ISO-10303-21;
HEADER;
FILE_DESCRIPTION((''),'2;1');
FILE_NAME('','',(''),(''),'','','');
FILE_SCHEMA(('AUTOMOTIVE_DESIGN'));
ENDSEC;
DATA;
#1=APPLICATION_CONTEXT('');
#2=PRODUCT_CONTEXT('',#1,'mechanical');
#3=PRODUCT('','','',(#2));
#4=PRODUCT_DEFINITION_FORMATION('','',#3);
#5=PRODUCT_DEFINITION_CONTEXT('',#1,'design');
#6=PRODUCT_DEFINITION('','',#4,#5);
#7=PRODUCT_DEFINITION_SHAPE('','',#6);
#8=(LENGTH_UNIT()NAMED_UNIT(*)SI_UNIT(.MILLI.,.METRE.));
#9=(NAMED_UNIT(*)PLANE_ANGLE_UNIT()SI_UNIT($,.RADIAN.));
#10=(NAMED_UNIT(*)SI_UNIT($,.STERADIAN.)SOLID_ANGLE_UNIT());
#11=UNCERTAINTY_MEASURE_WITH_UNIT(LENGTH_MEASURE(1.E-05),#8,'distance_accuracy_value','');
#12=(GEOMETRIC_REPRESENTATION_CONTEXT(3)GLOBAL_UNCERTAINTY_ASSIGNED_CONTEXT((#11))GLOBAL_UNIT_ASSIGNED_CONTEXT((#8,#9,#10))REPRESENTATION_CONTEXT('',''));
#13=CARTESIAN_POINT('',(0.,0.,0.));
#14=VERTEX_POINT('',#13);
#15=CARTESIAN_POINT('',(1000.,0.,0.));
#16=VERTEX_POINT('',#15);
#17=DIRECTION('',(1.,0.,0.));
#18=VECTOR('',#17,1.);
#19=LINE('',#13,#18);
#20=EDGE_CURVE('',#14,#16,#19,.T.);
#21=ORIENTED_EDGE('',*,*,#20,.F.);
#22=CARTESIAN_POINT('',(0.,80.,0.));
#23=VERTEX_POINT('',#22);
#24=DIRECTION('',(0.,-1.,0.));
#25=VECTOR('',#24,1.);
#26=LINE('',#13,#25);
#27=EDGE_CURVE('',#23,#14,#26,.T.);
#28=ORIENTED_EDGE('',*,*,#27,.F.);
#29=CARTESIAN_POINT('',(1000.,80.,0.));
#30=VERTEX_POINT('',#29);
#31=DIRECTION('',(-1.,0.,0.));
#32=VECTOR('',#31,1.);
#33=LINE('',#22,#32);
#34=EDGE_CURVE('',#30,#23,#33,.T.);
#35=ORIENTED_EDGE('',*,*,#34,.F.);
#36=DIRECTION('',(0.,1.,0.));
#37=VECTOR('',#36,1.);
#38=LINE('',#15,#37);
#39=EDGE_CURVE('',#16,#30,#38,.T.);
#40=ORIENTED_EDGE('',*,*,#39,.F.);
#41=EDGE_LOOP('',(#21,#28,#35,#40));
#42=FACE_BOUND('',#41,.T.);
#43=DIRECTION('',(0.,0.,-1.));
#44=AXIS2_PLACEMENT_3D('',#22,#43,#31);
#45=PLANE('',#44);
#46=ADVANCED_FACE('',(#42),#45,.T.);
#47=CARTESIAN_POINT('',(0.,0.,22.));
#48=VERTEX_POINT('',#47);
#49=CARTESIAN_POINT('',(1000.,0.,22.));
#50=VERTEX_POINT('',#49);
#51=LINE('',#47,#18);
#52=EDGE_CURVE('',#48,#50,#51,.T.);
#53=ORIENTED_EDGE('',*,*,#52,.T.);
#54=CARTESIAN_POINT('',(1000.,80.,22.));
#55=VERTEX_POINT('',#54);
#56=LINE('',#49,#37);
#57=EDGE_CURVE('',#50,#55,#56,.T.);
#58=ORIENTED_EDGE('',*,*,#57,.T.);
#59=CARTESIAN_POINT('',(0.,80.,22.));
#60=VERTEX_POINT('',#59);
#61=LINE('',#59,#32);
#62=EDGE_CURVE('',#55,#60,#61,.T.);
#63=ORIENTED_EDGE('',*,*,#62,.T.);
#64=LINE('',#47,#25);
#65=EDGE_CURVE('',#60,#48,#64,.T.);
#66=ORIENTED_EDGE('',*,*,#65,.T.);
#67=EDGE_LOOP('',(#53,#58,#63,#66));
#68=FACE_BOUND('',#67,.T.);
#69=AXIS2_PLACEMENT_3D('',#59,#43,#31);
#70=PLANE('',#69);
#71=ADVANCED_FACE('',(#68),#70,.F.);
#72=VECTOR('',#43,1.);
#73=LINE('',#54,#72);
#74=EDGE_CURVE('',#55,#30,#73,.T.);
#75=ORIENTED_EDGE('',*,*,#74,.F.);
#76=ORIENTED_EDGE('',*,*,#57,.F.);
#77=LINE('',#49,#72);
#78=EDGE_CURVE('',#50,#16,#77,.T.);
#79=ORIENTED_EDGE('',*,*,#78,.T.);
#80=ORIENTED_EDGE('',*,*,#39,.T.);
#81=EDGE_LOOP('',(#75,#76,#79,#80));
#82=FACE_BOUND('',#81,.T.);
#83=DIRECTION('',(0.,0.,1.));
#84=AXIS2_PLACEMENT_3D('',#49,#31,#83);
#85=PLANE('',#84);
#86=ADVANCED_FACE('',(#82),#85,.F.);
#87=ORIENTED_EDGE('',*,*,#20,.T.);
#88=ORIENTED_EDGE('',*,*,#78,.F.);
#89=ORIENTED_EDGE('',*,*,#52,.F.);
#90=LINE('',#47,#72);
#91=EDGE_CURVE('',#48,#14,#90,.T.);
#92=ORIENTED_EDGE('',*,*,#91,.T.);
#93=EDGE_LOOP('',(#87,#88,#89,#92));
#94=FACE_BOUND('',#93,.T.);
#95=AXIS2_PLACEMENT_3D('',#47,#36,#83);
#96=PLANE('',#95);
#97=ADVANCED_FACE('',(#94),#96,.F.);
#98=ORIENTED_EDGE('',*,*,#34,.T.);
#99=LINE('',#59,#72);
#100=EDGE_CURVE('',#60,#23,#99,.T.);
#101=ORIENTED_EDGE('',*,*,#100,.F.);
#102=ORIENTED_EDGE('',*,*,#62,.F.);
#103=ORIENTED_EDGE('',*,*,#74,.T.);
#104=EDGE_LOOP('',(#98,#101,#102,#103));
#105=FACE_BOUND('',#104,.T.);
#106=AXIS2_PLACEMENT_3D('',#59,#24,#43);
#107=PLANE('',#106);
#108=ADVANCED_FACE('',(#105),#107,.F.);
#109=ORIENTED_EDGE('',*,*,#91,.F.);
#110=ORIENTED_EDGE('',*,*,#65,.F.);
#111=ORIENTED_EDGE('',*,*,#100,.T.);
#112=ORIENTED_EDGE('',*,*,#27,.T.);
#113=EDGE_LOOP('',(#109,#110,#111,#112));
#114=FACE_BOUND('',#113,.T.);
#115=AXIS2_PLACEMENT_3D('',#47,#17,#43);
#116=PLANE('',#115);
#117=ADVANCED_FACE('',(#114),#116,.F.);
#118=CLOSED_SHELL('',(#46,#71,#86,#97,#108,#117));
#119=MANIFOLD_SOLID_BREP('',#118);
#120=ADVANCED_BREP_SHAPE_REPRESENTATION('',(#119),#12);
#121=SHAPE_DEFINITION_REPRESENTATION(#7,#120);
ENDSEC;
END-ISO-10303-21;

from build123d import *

# Parameters (mm, degrees)
ESQUISSE1_W      = 1000
ESQUISSE1_H      = 80
EXTRUSION1_DEPTH = 22


with BuildPart() as part:
    # Esquisse1 → Extrusion1 (new body)
    with BuildSketch(Plane.XY):
        with Locations((500, 40)):
            Rectangle(ESQUISSE1_W, ESQUISSE1_H)
    extrude(amount=EXTRUSION1_DEPTH)


solid = part.part
